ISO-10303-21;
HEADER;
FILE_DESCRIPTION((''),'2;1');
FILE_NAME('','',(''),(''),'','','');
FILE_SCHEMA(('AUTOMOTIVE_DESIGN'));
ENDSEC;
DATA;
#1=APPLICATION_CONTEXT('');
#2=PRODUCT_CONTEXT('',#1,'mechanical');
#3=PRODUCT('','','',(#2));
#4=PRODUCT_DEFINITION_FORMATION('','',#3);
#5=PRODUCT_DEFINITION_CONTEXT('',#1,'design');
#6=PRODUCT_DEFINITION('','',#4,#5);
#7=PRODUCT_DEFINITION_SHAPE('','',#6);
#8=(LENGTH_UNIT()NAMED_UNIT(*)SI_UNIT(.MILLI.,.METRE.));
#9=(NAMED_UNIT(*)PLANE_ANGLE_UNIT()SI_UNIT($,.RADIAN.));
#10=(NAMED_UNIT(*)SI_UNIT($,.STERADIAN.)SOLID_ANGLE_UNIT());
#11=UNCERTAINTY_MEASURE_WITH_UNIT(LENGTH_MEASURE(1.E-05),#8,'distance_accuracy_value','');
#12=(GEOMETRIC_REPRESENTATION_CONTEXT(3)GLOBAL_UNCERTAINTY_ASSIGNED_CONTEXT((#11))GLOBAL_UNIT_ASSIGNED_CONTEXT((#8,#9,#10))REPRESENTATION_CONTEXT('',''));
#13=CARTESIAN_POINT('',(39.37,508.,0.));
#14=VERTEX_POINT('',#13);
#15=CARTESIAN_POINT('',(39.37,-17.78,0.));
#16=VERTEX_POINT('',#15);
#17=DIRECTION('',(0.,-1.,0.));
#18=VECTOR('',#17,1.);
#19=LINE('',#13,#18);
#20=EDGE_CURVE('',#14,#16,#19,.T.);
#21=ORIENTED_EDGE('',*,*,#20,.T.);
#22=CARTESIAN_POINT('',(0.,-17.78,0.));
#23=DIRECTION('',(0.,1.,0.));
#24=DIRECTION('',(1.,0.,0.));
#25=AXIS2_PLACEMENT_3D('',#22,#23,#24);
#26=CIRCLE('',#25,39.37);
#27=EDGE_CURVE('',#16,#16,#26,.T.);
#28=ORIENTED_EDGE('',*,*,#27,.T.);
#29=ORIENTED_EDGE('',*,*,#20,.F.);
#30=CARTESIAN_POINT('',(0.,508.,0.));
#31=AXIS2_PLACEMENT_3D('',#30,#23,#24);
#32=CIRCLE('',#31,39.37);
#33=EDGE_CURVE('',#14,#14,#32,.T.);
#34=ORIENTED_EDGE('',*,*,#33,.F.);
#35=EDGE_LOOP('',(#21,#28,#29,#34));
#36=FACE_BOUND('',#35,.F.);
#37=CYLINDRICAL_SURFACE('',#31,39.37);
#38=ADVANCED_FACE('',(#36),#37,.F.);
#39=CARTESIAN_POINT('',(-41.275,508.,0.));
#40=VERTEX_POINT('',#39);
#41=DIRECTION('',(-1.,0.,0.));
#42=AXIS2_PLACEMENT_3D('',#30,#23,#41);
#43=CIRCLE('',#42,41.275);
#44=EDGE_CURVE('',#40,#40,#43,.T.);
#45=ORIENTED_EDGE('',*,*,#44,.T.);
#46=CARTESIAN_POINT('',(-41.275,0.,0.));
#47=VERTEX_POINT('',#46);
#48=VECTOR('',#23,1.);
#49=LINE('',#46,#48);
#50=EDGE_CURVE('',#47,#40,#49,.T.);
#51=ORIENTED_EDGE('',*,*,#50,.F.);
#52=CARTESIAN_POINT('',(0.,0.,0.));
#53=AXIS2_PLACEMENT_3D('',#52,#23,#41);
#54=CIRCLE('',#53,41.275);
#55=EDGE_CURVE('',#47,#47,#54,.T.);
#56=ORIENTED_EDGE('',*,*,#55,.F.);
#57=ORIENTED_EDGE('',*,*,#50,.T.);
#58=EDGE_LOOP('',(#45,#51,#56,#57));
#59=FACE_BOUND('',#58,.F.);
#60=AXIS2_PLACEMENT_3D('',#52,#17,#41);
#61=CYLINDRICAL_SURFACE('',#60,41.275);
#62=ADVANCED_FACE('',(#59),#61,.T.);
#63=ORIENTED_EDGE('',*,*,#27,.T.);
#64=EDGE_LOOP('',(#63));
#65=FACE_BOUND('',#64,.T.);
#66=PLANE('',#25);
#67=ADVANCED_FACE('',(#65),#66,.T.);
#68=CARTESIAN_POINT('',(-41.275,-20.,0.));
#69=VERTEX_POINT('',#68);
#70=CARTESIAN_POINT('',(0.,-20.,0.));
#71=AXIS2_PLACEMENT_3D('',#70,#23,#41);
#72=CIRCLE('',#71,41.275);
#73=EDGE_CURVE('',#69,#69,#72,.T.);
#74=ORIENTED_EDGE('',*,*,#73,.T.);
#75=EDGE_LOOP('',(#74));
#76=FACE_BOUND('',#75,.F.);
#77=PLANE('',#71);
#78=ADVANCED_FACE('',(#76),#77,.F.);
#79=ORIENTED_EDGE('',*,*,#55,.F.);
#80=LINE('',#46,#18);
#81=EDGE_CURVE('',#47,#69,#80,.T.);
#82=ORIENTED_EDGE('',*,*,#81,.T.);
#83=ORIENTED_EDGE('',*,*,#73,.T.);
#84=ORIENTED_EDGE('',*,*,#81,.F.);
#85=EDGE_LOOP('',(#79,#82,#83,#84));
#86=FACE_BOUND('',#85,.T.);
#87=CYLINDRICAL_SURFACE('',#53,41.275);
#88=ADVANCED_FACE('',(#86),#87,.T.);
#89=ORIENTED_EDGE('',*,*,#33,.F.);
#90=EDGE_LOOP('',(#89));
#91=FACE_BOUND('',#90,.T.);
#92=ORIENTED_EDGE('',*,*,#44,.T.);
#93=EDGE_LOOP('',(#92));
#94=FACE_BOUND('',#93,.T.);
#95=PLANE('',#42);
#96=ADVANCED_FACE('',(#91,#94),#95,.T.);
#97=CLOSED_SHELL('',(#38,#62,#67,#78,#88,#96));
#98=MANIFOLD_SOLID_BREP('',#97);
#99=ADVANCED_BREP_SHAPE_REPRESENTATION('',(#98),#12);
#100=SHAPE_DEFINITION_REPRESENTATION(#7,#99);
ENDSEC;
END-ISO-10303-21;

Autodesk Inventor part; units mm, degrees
ref_plane "YZ Plane" through (0, 0, 0) normal (1, 0, 0) x (0, 1, 0)
ref_plane "XZ Plane" through (0, 0, 0) normal (0, 1, 0) x (-1, 0, 0)
ref_plane "XY Plane" through (0, 0, 0) normal (0, 0, 1) x (1, 0, 0)
sketch "Sketch1" plane through (0, 0, 0) normal (0, 1, 0) x (-1, 0, 0)
  circle A0 centre (0, 0) radius 41.275
  dimension "d0" = 82.55
extrude "Extrusion1" add sketch "Sketch1" along normal blind 508 and the other way blind 20
sketch "Sketch2" plane through (0, 508, 0) normal (0, 1, 0) x (1, 0, 0)
  circle A0 centre (0, 0) radius 39.37
  dimension "d5" = 78.74
extrude "Extrusion2" cut sketch "Sketch2" against normal blind 525.78
sketch "Sketch3" plane through (0, -20, 0) normal (0, -1, 0) x (1, 0, 0)
  point P0 (0, 0)
sketch "Sketch4" plane through (0, 0, 0) normal (0, 0, 1) x (1, 0, 0)
  point P0 (0, 0)
sketch "Sketch6" plane through (0, 508, 0) normal (0, 1, 0) x (1, 0, 0)
  point P0 (0, 0)
properties part number "cock storage"
